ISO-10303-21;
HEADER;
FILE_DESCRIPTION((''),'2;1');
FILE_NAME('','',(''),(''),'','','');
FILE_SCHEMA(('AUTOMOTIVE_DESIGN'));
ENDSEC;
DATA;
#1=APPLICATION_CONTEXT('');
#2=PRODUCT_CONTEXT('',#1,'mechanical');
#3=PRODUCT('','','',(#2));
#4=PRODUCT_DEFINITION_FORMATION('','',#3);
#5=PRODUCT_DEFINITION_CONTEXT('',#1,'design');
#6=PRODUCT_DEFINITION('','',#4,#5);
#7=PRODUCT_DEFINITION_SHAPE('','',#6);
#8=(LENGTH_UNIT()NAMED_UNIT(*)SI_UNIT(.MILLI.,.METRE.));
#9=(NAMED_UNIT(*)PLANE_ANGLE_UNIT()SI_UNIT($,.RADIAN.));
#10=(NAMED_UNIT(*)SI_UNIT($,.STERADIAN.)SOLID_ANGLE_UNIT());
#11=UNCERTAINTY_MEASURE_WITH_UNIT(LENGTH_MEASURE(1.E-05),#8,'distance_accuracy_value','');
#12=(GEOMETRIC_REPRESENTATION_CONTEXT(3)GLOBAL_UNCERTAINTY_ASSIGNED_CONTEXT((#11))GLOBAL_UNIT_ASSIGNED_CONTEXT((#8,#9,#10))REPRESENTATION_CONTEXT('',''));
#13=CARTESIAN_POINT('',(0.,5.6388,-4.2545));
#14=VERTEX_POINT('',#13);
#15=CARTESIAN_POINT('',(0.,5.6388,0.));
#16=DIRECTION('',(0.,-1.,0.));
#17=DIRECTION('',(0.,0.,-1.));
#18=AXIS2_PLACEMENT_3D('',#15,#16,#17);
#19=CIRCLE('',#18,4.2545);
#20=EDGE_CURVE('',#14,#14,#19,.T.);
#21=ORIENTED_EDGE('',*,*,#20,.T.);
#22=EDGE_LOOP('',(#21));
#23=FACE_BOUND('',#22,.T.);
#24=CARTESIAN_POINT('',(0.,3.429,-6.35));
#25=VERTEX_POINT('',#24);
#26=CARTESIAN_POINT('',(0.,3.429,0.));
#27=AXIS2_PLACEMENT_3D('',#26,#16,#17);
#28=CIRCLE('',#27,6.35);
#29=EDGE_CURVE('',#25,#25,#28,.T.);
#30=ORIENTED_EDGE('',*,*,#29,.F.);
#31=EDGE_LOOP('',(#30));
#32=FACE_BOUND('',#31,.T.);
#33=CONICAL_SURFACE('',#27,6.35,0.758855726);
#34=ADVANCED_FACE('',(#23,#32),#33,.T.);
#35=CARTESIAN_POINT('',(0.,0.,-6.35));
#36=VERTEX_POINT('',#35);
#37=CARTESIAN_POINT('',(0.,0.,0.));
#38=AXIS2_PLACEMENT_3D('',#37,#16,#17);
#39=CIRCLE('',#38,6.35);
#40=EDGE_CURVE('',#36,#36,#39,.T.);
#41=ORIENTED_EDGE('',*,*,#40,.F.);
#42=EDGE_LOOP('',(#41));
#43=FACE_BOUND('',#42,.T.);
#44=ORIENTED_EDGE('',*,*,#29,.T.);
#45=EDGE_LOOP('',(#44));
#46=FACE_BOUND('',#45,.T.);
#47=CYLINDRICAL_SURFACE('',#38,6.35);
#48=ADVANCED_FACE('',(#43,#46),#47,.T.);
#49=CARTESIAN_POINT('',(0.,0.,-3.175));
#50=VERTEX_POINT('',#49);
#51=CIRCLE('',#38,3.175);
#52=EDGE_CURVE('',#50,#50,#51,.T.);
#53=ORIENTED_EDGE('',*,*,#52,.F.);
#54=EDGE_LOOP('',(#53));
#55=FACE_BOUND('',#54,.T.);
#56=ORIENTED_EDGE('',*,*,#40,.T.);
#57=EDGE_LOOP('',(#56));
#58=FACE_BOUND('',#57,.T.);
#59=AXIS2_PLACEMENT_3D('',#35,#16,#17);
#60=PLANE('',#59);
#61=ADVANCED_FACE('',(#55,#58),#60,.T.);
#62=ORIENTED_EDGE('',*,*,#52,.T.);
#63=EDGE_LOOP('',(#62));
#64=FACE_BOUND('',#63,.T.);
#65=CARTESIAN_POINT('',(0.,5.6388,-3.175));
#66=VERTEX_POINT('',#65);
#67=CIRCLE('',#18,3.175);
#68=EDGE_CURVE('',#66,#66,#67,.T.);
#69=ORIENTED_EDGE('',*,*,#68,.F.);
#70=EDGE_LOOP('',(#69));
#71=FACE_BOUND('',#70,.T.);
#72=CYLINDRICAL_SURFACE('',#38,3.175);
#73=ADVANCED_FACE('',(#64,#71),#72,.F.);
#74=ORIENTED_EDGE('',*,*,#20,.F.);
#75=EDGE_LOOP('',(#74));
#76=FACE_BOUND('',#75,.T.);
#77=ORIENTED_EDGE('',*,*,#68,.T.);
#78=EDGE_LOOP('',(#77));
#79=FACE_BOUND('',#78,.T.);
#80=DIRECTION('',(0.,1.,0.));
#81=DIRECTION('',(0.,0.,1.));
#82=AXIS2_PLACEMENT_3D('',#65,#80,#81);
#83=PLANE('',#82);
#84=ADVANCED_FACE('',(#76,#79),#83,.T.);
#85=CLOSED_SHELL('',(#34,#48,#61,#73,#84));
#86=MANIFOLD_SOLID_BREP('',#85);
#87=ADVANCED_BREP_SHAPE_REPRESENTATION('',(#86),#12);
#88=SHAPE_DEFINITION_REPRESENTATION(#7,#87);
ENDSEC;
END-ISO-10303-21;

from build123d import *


with BuildPart() as part:
    # Sketch2 → Revolve1 (revolve)
    with BuildSketch(Plane(origin=(0, 0, 0), x_dir=(0, 0, -1), z_dir=(1, 0, 0))):
        Polygon((3.175, 0), (3.175, 5.6388), (4.2545, 5.6388), (6.35, 3.429), (6.35, 0), align=None)
    revolve(axis=Axis((0, 0, 0), (0, 1, 0)))


solid = part.part
